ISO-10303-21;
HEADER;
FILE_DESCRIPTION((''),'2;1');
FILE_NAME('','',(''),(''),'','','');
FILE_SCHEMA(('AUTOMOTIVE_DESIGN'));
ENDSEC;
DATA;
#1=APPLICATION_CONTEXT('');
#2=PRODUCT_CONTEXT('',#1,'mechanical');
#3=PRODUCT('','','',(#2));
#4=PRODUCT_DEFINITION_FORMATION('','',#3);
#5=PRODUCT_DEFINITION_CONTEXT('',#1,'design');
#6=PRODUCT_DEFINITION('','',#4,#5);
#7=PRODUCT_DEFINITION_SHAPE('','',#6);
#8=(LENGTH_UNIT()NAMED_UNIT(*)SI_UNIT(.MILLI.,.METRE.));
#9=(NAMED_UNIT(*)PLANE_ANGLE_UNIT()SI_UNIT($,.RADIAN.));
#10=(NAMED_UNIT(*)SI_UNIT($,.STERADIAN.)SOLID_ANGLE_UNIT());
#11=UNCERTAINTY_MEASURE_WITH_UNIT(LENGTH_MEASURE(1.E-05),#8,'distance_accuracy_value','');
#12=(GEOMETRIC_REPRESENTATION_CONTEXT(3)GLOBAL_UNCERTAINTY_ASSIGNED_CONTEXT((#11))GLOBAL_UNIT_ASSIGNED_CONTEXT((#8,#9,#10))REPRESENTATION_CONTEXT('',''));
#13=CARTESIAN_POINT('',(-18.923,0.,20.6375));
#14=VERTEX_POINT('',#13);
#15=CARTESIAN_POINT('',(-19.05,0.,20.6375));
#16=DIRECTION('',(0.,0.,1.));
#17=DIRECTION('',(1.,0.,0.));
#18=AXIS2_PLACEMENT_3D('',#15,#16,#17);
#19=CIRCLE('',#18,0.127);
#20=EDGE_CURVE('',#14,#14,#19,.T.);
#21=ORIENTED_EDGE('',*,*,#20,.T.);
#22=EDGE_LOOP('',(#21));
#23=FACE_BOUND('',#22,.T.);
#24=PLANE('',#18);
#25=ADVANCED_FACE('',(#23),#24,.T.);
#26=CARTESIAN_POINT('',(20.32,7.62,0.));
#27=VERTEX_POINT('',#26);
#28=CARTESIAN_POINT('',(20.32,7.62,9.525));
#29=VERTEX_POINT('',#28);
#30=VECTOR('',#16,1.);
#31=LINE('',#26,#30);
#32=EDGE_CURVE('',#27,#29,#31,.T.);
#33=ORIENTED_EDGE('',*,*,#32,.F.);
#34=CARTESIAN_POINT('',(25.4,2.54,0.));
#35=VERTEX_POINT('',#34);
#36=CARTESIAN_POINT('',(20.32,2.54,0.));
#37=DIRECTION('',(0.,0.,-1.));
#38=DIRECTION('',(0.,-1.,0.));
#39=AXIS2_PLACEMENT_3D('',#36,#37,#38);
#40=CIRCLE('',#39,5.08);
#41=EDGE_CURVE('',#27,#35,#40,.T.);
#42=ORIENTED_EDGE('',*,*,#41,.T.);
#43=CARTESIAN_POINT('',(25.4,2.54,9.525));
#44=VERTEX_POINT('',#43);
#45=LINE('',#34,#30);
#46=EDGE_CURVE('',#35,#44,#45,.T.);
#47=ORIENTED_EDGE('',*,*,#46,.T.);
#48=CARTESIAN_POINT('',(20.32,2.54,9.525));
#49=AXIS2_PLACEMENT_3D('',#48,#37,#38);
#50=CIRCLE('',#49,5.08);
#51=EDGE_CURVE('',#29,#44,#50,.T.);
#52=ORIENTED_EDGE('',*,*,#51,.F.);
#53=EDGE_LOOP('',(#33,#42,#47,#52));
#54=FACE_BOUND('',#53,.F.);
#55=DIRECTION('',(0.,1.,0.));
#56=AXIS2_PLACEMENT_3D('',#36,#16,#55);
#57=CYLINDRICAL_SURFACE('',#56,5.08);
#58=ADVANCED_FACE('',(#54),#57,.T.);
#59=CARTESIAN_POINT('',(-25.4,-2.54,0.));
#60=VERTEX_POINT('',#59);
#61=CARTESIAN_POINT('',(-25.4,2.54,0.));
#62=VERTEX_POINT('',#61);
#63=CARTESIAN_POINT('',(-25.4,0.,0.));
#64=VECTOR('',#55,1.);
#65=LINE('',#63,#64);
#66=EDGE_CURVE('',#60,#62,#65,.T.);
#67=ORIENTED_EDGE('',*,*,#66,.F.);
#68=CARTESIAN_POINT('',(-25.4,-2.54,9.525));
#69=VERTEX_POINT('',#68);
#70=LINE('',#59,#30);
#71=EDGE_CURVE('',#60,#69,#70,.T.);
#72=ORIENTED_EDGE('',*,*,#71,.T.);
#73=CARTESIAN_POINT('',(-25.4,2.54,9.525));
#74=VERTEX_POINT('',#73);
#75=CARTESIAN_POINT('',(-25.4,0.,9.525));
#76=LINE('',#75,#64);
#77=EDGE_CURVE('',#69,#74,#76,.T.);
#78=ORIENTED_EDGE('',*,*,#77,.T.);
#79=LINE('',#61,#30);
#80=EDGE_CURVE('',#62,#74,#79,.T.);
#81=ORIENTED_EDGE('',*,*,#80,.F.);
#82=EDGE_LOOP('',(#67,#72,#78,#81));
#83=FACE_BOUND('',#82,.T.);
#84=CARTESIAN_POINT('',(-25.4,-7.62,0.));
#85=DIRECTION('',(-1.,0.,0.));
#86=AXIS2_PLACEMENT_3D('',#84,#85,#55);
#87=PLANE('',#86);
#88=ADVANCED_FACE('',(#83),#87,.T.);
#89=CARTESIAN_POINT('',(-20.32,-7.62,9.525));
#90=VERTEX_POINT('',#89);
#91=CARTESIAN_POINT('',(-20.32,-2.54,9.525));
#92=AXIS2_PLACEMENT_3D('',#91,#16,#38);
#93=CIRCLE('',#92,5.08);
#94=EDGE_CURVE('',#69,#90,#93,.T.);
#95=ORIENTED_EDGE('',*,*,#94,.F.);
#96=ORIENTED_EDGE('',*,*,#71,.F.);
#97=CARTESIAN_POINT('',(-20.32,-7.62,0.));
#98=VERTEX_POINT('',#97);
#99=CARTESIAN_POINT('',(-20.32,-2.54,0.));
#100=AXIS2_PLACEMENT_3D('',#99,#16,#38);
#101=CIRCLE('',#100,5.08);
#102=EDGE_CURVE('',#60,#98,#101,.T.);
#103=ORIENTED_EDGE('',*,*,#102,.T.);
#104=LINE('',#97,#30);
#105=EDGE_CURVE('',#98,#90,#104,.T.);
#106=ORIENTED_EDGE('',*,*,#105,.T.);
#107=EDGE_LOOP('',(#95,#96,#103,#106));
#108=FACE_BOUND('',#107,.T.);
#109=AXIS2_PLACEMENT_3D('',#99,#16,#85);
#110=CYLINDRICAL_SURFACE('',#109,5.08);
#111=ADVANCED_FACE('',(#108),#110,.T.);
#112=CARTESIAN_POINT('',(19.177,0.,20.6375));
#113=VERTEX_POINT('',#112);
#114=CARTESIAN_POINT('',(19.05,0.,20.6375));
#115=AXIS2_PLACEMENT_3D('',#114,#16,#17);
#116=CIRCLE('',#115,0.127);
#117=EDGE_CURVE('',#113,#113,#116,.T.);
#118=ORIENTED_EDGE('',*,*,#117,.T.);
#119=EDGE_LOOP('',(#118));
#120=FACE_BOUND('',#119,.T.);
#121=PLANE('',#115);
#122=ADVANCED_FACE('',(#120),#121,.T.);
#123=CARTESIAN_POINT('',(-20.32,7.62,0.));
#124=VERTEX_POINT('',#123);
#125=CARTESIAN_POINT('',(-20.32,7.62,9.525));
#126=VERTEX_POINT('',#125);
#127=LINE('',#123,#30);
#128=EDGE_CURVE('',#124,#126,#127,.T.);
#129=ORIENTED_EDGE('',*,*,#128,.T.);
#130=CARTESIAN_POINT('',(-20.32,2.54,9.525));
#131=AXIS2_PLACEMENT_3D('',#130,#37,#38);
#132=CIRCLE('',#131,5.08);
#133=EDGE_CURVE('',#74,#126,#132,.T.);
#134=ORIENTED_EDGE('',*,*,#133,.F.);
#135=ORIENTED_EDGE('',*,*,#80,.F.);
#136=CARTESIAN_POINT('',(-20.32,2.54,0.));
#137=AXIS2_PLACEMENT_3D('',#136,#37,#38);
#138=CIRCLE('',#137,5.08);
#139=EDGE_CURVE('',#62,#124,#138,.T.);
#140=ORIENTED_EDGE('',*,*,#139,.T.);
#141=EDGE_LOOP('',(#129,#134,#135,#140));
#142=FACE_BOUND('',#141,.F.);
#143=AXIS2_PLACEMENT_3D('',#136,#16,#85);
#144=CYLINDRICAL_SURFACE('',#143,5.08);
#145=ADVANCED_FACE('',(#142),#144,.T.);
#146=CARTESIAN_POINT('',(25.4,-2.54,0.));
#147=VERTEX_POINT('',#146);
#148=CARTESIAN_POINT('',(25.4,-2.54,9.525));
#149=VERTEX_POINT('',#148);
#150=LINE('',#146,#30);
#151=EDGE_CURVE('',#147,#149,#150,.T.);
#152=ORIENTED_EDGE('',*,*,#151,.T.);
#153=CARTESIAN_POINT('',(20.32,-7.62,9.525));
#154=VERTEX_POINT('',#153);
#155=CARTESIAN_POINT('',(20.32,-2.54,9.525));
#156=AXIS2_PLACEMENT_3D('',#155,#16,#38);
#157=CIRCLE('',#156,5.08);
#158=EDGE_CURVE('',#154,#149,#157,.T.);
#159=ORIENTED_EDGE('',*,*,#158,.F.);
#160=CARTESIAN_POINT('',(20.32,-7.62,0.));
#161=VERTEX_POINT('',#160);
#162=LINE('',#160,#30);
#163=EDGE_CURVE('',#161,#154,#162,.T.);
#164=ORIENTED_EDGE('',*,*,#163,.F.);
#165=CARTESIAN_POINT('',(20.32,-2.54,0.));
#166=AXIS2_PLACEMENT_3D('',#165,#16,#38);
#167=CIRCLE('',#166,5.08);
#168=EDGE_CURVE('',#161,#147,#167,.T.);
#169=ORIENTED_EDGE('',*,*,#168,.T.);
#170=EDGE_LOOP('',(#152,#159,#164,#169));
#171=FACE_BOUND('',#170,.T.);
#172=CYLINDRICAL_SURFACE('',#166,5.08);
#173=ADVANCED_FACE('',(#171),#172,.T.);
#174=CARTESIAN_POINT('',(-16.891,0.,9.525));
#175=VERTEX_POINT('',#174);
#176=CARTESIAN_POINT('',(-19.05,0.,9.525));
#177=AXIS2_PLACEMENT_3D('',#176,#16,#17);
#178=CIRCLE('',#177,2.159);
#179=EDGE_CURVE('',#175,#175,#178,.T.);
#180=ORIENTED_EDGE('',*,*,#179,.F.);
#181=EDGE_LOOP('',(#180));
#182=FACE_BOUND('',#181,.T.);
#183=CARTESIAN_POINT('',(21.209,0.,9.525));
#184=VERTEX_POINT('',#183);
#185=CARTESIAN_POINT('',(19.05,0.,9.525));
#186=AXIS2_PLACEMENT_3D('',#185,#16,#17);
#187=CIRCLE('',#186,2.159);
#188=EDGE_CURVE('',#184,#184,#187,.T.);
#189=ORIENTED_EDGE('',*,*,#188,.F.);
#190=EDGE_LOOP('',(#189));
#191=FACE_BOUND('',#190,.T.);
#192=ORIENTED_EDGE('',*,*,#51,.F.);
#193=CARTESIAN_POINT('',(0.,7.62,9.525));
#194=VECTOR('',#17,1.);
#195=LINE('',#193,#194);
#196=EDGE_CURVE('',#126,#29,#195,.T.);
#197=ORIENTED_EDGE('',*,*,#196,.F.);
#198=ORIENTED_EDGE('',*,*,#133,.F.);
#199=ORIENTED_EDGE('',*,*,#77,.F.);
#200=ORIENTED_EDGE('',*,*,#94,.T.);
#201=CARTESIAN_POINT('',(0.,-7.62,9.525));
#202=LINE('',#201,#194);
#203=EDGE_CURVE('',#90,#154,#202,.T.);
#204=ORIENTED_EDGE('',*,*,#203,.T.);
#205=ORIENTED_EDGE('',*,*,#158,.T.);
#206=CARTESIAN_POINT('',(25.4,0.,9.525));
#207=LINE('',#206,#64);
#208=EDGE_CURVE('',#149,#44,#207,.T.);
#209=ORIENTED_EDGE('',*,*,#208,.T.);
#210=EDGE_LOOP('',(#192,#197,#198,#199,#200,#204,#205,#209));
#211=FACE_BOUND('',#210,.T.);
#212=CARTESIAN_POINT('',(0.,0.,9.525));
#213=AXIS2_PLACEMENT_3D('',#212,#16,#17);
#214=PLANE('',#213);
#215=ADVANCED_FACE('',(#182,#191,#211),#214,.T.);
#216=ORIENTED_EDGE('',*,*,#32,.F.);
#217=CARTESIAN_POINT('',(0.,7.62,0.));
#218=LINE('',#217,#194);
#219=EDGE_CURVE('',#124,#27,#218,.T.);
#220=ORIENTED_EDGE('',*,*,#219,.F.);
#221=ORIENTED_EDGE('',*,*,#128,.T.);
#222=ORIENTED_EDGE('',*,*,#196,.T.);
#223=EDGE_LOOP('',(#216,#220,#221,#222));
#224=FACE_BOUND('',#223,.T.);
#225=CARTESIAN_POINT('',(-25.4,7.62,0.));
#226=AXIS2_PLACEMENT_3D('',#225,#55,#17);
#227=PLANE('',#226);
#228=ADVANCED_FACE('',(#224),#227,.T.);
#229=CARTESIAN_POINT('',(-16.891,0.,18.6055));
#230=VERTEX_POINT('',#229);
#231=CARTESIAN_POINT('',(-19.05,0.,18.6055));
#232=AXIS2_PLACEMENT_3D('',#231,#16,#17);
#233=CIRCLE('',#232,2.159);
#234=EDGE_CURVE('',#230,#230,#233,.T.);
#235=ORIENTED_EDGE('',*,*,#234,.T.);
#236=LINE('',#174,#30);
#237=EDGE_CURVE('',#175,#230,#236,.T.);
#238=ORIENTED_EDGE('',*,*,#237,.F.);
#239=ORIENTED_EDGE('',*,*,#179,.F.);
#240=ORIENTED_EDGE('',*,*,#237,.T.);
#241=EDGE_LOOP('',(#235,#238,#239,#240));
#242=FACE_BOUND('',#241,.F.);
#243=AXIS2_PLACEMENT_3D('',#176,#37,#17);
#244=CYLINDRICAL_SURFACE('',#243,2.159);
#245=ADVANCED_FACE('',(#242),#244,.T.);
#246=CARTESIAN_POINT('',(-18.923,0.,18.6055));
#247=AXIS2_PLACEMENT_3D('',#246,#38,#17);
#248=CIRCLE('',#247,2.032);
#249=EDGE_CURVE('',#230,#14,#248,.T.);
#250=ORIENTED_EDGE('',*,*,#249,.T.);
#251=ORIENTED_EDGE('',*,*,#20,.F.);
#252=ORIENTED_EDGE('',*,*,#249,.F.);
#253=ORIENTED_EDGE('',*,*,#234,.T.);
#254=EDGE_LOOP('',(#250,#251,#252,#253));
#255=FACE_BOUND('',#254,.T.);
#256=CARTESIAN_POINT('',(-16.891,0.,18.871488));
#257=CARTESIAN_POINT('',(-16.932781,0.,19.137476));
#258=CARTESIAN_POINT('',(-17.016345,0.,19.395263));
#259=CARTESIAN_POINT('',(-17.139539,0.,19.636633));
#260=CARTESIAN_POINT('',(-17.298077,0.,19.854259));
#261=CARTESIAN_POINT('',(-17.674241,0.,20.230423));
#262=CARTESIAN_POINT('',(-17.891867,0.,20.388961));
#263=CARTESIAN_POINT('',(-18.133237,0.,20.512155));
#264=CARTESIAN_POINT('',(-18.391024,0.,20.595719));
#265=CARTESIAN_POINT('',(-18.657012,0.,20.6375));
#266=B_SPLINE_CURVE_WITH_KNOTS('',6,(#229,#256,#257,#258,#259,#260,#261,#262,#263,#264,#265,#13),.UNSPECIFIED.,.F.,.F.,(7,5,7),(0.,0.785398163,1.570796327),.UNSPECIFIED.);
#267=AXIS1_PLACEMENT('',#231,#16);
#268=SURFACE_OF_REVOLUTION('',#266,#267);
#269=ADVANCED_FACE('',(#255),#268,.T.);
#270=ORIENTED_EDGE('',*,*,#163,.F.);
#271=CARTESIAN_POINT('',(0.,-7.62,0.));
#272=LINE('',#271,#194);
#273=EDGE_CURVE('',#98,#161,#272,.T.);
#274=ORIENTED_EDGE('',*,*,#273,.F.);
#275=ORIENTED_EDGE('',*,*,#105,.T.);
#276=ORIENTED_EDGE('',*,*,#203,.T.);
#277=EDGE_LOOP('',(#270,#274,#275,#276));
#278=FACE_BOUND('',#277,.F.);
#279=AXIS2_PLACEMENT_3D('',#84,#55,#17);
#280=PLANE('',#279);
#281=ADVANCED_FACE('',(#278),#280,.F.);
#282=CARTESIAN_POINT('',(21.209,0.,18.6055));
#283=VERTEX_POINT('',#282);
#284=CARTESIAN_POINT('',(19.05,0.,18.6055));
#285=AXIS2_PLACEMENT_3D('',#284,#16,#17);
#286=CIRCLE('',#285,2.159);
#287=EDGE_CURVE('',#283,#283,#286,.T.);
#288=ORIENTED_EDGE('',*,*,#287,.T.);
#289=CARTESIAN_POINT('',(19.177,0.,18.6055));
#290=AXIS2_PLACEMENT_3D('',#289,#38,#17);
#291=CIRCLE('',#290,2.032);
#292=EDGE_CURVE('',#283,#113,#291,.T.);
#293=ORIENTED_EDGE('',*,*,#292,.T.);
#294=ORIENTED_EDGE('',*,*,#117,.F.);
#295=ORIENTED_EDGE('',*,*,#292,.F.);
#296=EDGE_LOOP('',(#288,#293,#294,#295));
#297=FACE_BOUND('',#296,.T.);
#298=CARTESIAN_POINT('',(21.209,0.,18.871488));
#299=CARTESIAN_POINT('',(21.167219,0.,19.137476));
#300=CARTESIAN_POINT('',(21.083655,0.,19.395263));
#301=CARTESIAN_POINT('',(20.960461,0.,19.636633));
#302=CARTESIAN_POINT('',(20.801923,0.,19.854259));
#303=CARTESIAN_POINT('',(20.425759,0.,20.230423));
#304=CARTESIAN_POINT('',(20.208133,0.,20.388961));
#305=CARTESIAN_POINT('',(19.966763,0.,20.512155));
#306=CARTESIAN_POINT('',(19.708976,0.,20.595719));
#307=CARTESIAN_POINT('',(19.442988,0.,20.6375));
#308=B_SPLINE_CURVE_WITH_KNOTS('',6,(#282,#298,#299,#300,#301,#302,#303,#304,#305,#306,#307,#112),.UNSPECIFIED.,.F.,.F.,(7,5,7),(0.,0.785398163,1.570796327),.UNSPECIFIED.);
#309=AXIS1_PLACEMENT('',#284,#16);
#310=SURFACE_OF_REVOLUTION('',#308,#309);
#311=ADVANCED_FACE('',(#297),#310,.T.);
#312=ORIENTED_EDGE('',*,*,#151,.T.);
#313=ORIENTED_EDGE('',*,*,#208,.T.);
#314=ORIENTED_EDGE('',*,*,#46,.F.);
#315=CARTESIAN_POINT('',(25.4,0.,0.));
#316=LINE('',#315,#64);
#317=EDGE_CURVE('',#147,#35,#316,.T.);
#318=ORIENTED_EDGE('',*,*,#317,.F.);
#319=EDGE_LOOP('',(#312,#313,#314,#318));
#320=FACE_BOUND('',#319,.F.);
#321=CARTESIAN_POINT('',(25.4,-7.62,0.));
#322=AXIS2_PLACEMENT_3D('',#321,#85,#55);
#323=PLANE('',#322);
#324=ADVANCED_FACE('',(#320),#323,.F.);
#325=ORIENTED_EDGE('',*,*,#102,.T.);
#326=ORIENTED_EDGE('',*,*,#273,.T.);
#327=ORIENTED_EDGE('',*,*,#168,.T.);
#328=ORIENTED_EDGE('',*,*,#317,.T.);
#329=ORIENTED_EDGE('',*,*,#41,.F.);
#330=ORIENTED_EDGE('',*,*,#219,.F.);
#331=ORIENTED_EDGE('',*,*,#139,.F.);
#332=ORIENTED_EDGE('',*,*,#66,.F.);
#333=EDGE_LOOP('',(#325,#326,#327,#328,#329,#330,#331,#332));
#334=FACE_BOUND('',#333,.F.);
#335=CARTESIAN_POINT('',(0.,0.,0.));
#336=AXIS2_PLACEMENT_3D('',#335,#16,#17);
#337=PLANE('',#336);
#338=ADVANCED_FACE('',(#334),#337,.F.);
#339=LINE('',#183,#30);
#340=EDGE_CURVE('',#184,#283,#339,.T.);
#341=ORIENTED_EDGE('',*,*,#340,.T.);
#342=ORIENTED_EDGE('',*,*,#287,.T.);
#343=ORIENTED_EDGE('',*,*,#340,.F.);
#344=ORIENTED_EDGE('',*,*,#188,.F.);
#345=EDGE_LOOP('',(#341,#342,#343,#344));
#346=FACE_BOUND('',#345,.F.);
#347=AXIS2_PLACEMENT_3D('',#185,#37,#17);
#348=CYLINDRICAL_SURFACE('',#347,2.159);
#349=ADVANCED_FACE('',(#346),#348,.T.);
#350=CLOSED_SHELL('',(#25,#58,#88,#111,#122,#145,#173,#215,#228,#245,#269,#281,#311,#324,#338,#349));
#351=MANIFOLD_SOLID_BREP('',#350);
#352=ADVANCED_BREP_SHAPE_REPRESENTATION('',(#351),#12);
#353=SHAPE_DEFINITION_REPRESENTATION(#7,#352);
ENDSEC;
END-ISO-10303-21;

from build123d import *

# Parameters (mm, degrees)
F0_W     = 50.8
F0_H     = 15.24
F1_DEPTH = 9.525
F2_R     = 2.159
F3_DEPTH = 11.1125
F4_R     = 2.032
F5_R     = 5.08


with BuildPart() as f1:
    # F0 (on Top) → F1 (new body)
    with BuildSketch(Plane.XY):
        Rectangle(F0_W, F0_H)
    extrude(amount=F1_DEPTH)

    # F2 (on face) → F3 (join)
    with BuildSketch(Plane.XY.offset(9.525)):
        with Locations((-19.05, 0)):
            Circle(F2_R)
        with Locations((19.05, 0)):
            Circle(F2_R)
    extrude(amount=F3_DEPTH)

    # F4
    f4_edges = [f1.edges().sort_by_distance(p)[0] for p in [
        (-21.209, 0, 20.6375),
        (16.891, 0, 20.6375),
    ]]
    fillet(f4_edges, radius=F4_R)

    # F5
    f5_edges = [f1.edges().sort_by_distance(p)[0] for p in [
        (-25.4, -7.62, 4.7625),
        (25.4, -7.62, 4.7625),
        (25.4, 7.62, 4.7625),
        (-25.4, 7.62, 4.7625),
    ]]
    fillet(f5_edges, radius=F5_R)


solid = f1.part
